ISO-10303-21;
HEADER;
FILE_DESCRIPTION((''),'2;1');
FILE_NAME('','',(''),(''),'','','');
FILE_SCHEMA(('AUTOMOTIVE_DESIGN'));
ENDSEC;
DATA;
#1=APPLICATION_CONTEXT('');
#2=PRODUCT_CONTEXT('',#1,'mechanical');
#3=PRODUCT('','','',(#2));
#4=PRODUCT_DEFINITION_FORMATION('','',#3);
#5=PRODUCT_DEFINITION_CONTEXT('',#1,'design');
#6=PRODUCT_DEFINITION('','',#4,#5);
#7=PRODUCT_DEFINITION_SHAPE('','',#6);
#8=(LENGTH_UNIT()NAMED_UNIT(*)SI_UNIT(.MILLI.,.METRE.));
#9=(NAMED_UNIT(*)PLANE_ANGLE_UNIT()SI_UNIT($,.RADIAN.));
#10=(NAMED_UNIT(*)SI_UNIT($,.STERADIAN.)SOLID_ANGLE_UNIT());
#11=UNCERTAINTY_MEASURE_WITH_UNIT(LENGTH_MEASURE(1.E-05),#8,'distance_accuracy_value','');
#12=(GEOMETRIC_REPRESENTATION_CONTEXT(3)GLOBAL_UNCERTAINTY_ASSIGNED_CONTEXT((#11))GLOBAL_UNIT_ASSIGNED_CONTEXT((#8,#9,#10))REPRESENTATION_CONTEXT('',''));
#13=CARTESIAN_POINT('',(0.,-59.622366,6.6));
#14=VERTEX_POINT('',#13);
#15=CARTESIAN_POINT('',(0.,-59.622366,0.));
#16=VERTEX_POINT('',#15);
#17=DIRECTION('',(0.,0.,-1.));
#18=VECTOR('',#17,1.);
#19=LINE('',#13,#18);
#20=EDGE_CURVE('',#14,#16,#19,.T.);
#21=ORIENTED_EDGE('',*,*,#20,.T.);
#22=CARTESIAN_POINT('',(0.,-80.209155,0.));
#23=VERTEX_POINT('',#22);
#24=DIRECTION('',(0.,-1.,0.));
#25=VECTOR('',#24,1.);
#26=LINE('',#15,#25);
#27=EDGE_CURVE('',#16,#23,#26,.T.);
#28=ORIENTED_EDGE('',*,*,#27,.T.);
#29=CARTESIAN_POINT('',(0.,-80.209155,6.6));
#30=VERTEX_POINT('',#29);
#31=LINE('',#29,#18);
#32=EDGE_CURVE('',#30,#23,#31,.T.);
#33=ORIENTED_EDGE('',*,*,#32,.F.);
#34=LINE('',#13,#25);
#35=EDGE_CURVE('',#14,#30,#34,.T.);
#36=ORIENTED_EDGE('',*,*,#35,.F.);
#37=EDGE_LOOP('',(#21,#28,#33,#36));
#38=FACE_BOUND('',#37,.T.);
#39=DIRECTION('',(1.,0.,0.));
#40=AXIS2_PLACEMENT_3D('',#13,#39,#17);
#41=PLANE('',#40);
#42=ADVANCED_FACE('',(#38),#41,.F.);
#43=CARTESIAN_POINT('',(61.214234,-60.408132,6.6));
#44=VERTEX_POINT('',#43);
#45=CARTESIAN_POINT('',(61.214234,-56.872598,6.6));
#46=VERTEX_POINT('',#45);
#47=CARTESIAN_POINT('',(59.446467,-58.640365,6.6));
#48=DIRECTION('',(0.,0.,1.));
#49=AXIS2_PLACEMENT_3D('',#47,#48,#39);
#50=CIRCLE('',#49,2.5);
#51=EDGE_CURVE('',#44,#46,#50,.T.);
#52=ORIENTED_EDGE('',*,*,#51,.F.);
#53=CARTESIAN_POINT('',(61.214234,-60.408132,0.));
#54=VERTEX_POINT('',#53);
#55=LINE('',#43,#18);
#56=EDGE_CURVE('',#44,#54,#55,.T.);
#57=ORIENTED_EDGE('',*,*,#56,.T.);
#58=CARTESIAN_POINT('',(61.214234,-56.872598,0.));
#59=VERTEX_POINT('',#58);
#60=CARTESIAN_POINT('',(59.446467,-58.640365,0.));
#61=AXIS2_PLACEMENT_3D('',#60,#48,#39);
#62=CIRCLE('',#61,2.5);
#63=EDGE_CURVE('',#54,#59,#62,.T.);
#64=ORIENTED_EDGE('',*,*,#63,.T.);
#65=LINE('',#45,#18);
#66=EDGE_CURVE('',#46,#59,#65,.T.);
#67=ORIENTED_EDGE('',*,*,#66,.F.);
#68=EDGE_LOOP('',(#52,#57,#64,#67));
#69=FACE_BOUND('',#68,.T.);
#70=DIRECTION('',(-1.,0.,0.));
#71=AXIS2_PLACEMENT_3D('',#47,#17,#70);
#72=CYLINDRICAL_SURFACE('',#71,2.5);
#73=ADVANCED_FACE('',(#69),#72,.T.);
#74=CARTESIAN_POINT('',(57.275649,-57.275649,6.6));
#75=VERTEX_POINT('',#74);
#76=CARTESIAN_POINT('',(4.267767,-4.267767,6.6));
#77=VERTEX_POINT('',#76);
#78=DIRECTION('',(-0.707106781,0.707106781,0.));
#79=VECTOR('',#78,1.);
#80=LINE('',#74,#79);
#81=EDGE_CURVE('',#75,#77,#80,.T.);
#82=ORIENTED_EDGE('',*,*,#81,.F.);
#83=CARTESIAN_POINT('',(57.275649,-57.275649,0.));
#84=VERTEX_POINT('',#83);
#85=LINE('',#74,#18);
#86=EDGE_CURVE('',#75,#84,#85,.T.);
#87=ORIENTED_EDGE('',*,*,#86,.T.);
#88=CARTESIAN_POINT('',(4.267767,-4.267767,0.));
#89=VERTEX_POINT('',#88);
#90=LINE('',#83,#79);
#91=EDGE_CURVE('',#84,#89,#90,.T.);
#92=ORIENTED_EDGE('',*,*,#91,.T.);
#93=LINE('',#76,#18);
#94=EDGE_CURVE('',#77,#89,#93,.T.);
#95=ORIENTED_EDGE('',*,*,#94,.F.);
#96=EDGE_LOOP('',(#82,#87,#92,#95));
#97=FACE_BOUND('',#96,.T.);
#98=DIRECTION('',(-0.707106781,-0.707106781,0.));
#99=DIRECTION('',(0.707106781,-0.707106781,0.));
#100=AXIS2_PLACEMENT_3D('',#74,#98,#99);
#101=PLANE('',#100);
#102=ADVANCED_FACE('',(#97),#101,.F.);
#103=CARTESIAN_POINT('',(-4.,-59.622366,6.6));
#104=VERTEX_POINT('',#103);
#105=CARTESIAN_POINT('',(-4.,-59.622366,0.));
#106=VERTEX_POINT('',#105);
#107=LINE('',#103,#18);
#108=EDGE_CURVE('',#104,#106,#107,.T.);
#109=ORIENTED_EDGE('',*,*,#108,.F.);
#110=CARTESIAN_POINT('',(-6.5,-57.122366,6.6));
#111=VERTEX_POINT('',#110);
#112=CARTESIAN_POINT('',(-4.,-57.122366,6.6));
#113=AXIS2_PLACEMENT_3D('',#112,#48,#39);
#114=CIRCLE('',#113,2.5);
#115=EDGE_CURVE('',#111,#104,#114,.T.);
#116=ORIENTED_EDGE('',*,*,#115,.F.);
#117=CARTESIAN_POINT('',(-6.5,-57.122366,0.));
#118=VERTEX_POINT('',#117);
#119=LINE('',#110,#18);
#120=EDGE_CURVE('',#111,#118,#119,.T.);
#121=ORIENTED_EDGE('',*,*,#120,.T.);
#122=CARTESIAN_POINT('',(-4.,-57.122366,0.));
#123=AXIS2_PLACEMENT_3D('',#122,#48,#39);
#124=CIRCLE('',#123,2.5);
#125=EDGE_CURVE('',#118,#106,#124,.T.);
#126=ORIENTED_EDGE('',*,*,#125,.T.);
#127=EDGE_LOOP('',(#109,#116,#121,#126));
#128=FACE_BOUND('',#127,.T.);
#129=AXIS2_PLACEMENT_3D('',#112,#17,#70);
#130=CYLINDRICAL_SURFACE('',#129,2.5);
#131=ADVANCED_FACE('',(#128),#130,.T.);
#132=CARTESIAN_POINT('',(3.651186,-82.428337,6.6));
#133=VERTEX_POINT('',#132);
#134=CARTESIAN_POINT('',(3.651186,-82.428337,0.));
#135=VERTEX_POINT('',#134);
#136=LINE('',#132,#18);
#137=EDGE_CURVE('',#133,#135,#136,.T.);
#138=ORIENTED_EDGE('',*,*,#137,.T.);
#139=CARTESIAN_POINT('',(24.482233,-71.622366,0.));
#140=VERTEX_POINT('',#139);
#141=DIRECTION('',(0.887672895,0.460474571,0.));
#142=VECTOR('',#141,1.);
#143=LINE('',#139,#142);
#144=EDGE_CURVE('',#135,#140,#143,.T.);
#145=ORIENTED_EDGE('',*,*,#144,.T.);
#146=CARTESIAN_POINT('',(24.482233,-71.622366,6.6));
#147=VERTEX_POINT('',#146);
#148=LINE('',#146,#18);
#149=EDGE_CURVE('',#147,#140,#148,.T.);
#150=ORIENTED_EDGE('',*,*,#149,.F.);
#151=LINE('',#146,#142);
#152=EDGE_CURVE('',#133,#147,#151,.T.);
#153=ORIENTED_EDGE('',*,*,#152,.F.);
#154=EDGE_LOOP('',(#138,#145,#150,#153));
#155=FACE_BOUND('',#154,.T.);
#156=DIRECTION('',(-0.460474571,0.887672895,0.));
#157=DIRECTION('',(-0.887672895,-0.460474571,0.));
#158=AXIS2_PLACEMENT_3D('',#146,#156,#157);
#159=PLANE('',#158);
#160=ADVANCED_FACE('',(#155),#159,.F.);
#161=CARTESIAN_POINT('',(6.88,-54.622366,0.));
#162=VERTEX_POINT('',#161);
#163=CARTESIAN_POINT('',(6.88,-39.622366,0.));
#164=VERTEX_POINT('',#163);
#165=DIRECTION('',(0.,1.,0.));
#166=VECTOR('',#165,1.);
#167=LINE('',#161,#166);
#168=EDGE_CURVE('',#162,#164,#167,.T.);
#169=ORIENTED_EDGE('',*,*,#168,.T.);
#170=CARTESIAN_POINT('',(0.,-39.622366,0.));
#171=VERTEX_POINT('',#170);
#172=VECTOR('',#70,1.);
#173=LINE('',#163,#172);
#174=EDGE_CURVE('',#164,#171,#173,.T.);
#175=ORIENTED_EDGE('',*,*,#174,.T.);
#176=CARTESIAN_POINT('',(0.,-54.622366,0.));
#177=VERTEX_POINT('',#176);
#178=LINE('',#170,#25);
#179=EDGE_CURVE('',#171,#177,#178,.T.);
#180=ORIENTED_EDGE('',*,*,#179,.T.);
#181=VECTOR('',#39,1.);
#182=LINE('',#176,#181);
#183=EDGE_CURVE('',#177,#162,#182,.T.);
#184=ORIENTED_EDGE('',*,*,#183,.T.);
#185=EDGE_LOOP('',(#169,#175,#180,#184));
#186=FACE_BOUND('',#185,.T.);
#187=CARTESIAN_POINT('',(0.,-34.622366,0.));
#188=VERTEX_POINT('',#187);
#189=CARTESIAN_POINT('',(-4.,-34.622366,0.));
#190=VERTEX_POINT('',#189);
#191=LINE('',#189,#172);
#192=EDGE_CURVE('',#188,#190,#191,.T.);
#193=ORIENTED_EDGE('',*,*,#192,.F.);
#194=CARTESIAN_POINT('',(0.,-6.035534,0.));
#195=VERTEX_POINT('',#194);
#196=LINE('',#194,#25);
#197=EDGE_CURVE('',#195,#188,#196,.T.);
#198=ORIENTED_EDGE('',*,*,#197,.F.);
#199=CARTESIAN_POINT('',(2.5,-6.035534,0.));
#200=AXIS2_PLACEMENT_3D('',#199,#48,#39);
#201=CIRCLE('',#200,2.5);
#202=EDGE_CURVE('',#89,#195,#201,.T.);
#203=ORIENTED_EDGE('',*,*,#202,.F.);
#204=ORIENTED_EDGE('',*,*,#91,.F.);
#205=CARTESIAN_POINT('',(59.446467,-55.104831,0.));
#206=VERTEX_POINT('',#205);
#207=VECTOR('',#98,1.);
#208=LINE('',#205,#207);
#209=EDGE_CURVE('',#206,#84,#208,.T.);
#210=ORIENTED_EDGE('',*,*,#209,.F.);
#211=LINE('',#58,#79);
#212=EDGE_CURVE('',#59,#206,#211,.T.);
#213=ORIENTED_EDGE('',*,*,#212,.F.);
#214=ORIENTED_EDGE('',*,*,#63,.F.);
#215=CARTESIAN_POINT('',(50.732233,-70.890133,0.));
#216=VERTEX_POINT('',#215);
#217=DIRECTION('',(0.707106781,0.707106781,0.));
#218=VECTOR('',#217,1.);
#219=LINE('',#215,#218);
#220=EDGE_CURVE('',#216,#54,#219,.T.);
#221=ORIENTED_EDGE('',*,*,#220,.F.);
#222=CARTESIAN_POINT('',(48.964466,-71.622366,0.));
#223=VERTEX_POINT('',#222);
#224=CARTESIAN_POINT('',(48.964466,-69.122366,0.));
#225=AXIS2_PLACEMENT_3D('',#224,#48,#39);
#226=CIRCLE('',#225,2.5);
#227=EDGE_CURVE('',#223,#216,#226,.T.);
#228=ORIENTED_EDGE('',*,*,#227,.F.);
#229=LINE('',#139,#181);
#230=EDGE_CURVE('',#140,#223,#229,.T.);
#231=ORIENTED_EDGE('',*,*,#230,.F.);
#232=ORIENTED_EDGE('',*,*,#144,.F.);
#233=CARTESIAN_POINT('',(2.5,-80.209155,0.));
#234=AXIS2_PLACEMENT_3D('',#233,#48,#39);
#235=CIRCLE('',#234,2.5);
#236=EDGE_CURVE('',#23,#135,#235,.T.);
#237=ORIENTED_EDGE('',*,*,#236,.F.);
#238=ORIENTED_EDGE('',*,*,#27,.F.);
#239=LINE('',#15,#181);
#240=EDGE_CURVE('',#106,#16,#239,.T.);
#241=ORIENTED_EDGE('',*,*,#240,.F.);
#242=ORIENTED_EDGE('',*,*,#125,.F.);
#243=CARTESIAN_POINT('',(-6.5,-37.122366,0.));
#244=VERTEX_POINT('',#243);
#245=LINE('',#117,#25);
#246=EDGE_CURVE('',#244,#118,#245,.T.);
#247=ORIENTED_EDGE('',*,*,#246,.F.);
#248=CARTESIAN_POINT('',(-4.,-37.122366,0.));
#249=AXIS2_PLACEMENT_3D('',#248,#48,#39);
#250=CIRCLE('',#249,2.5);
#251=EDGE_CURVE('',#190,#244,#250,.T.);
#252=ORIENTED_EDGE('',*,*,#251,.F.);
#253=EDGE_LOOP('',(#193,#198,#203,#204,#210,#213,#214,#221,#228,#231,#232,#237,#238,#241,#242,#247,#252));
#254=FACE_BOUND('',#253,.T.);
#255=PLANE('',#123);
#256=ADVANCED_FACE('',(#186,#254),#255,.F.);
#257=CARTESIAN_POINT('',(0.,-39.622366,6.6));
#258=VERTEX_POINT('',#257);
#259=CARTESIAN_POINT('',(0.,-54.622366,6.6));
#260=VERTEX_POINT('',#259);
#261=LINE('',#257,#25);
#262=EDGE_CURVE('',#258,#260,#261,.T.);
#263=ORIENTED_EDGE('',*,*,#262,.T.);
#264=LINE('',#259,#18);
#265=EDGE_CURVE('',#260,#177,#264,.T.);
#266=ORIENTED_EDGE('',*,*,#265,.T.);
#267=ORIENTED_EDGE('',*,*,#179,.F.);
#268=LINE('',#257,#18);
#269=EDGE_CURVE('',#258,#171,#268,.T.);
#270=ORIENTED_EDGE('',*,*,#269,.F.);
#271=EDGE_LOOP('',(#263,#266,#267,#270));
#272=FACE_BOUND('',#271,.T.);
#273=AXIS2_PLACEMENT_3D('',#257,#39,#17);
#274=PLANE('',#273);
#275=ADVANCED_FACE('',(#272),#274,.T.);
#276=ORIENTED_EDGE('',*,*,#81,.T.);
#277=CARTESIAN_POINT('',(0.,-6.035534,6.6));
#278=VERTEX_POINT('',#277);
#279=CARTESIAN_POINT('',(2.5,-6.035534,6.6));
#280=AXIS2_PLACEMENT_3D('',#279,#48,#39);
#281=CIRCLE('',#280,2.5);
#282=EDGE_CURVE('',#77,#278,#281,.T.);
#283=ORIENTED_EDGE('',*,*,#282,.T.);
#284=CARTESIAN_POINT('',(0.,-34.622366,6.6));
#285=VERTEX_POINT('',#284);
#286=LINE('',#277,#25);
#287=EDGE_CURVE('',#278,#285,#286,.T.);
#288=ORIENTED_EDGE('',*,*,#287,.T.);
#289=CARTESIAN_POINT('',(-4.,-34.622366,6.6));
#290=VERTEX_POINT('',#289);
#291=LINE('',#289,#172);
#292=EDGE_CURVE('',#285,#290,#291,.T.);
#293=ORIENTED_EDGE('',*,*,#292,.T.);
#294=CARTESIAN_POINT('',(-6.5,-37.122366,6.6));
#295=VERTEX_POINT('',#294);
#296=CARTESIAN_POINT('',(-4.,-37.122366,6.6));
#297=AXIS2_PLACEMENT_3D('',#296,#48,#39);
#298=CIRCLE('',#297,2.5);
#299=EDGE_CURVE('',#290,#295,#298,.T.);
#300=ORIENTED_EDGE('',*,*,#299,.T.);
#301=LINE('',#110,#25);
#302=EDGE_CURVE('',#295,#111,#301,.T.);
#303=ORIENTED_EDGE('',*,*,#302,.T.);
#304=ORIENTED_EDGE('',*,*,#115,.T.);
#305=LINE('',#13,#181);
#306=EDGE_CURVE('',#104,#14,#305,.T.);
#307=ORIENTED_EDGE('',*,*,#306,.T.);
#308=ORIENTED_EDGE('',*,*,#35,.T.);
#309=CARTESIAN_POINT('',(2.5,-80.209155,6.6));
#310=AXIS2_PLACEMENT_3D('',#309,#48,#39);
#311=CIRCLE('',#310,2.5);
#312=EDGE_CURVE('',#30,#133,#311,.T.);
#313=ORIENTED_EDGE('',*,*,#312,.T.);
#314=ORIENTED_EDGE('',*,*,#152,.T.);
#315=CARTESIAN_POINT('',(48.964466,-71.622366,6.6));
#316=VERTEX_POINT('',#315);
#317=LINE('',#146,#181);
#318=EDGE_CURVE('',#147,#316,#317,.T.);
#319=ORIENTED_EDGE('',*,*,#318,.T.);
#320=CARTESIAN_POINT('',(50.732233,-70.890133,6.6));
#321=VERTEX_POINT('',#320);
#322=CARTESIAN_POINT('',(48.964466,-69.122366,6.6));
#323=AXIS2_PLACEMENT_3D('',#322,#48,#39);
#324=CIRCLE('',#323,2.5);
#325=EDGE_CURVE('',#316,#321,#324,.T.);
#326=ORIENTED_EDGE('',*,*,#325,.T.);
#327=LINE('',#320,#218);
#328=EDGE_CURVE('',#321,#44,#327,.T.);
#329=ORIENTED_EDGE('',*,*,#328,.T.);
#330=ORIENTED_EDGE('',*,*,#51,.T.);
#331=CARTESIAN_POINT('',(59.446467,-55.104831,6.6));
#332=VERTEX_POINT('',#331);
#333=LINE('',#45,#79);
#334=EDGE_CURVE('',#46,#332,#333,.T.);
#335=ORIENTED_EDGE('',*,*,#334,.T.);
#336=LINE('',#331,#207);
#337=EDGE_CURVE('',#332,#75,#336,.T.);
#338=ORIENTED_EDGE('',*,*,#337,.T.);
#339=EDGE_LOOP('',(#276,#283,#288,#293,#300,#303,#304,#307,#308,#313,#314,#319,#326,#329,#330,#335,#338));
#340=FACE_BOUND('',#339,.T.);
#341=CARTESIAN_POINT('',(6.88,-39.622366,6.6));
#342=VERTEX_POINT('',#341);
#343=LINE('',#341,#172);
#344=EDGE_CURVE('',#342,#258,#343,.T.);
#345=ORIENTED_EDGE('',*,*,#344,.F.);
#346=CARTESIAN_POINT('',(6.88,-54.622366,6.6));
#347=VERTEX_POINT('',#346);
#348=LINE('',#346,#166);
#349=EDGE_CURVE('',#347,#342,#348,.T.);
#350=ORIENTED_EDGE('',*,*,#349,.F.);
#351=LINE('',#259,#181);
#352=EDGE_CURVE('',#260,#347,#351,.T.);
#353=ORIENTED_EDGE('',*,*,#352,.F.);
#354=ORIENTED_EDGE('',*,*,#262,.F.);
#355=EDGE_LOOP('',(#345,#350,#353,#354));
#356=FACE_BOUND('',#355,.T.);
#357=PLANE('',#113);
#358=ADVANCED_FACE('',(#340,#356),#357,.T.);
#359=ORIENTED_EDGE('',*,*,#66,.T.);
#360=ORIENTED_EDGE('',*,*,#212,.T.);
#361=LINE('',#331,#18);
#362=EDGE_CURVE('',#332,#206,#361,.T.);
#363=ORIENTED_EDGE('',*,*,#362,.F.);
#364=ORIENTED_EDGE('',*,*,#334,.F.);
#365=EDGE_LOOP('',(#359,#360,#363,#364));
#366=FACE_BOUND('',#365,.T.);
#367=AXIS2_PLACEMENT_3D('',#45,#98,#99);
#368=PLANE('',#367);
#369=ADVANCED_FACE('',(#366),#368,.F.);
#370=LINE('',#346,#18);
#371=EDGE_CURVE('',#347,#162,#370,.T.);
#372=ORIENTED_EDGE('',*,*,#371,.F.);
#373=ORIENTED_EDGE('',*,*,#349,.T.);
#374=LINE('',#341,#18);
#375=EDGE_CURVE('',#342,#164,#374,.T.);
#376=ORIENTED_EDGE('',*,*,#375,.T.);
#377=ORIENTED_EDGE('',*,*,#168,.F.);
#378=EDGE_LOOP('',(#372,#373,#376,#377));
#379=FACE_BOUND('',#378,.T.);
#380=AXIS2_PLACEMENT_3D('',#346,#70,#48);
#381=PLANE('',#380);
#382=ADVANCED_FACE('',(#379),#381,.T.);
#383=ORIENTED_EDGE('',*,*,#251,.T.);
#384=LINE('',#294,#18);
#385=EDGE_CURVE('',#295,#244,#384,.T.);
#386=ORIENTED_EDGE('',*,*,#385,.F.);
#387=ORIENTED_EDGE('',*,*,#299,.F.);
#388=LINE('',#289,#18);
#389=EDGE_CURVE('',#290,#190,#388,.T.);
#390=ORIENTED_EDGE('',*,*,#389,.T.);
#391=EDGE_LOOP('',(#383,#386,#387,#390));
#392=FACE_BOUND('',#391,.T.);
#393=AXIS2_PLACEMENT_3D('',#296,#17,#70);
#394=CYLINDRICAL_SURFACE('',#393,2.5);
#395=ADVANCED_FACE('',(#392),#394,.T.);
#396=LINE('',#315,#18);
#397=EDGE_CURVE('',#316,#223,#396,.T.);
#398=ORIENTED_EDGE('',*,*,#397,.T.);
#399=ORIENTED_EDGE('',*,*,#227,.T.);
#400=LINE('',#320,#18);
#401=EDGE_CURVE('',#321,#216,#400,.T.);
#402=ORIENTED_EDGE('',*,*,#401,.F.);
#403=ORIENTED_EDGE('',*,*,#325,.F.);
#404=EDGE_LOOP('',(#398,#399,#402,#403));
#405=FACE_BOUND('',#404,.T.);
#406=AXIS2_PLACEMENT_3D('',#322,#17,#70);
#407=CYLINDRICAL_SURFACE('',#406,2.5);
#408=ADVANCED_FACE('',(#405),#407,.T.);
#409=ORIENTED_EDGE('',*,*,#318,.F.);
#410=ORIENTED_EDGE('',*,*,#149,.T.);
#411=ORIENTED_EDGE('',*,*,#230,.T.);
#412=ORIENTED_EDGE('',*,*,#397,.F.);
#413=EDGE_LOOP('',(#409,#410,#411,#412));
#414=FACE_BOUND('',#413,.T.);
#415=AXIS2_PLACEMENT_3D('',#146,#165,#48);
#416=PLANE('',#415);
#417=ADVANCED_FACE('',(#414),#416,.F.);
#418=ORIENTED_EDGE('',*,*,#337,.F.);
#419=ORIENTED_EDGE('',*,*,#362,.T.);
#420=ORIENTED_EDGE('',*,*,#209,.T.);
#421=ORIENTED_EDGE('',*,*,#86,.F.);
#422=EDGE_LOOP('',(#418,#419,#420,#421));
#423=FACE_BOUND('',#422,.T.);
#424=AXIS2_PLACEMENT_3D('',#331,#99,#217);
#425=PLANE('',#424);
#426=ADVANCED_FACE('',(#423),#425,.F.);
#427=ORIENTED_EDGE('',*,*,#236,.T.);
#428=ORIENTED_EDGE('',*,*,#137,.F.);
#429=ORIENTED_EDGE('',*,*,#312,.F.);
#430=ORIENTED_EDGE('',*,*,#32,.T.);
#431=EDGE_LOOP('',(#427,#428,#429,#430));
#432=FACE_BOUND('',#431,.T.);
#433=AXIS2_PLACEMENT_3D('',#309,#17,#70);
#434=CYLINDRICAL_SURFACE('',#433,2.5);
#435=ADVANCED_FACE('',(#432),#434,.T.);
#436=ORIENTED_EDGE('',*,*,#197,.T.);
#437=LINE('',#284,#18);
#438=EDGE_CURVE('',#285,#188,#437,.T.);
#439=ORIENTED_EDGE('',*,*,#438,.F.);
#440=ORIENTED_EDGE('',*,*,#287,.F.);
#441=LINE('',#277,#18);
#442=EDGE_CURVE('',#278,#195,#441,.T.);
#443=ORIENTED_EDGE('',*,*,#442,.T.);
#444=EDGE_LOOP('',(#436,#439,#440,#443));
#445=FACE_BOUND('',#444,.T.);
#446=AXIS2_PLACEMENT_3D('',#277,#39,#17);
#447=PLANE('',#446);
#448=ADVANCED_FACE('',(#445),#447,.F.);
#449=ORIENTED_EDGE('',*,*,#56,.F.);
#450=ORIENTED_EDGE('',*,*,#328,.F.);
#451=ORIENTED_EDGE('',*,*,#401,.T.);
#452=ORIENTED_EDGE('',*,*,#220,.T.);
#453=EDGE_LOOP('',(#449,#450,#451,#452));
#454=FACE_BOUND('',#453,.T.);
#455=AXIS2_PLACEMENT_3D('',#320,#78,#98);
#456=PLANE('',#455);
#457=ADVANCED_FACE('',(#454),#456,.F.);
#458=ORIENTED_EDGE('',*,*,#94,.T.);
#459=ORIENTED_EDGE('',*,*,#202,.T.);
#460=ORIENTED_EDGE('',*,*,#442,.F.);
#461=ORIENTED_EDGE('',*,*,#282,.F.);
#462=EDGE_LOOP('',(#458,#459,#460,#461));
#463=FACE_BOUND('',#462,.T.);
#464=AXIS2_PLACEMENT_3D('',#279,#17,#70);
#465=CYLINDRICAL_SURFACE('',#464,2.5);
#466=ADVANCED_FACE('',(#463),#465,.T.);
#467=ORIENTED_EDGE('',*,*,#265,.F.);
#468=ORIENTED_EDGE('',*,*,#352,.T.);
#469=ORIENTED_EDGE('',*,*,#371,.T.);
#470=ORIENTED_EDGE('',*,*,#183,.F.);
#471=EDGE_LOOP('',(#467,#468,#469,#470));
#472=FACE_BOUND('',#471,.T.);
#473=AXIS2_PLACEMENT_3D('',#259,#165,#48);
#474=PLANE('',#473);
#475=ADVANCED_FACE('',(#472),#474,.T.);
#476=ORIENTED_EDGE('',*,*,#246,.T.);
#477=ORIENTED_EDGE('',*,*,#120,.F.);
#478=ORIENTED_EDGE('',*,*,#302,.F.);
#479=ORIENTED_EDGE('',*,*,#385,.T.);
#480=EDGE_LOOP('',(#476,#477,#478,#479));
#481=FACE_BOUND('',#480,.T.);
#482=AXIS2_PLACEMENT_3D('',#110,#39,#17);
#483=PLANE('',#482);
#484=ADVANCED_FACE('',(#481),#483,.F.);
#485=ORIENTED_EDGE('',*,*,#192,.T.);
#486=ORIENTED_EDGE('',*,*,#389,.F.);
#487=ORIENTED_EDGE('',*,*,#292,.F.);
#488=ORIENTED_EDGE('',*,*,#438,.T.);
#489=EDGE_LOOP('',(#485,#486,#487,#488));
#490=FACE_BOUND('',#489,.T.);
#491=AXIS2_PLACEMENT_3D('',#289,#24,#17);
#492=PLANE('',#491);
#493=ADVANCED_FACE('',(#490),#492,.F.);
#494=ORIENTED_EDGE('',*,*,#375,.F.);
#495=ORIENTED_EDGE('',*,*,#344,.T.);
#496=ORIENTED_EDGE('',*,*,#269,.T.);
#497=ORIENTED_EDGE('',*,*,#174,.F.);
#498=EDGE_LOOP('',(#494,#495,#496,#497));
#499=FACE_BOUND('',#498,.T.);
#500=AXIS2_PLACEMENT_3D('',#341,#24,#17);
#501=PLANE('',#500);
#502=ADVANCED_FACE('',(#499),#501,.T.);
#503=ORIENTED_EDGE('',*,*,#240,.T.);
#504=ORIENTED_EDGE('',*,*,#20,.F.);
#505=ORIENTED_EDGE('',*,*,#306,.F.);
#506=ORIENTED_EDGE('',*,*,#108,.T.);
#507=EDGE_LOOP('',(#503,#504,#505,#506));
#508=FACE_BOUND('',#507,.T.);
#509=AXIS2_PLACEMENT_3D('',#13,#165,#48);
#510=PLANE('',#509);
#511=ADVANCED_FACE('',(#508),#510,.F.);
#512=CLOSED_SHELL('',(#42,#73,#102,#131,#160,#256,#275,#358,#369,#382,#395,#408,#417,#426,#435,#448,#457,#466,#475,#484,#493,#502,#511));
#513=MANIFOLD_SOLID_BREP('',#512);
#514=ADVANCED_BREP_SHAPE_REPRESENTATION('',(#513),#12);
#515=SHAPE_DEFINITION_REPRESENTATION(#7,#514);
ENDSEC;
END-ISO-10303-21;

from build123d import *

# Parameters (mm, degrees)
MODEL_W             = 6.88
MODEL_H             = 15
BOSS_EXTRUDE1_DEPTH = 6.6


with BuildPart() as part:
    # Model → Boss-Extrude1 (new body)
    with BuildSketch(Plane.XY):
        with BuildLine():
            Line((0, -59.622366364), (-4, -59.622366364))
            ThreePointArc((-4, -59.622366364), (-5.767766953, -58.890133317), (-6.5, -57.122366364))
            Line((-6.5, -57.122366364), (-6.5, -37.122366364))
            ThreePointArc((-6.5, -37.122366364), (-5.767766953, -35.354599411), (-4, -34.622366364))
            Line((-4, -34.622366364), (0, -34.622366364))
            Line((0, -34.622366364), (0, -6.035533906))
            ThreePointArc((0, -6.035533906), (1.543291419, -3.725835075), (4.267766953, -4.267766953))
            Line((4.267766953, -4.267766953), (57.275649276, -57.275649276))
            Line((57.275649276, -57.275649276), (59.446467094, -55.104831458))
            Line((59.446467094, -55.104831458), (61.214234047, -56.872598411))
            ThreePointArc((61.214234047, -56.872598411), (61.946467094, -58.640365364), (61.214234047, -60.408132317))
            Line((61.214234047, -60.408132317), (50.732233047, -70.890133317))
            ThreePointArc((50.732233047, -70.890133317), (49.921174675, -71.432065195), (48.964466094, -71.622366364))
            Line((48.964466094, -71.622366364), (24.482233047, -71.622366364))
            Line((24.482233047, -71.622366364), (3.651186429, -82.428337026))
            ThreePointArc((3.651186429, -82.428337026), (1.201532841, -82.345502849), (0, -80.209154788))
            Line((0, -80.209154788), (0, -59.622366364))
        make_face()
        with Locations((3.44, -47.122366364)):
            Rectangle(MODEL_W, MODEL_H, mode=Mode.SUBTRACT)
    extrude(amount=BOSS_EXTRUDE1_DEPTH)


solid = part.part
